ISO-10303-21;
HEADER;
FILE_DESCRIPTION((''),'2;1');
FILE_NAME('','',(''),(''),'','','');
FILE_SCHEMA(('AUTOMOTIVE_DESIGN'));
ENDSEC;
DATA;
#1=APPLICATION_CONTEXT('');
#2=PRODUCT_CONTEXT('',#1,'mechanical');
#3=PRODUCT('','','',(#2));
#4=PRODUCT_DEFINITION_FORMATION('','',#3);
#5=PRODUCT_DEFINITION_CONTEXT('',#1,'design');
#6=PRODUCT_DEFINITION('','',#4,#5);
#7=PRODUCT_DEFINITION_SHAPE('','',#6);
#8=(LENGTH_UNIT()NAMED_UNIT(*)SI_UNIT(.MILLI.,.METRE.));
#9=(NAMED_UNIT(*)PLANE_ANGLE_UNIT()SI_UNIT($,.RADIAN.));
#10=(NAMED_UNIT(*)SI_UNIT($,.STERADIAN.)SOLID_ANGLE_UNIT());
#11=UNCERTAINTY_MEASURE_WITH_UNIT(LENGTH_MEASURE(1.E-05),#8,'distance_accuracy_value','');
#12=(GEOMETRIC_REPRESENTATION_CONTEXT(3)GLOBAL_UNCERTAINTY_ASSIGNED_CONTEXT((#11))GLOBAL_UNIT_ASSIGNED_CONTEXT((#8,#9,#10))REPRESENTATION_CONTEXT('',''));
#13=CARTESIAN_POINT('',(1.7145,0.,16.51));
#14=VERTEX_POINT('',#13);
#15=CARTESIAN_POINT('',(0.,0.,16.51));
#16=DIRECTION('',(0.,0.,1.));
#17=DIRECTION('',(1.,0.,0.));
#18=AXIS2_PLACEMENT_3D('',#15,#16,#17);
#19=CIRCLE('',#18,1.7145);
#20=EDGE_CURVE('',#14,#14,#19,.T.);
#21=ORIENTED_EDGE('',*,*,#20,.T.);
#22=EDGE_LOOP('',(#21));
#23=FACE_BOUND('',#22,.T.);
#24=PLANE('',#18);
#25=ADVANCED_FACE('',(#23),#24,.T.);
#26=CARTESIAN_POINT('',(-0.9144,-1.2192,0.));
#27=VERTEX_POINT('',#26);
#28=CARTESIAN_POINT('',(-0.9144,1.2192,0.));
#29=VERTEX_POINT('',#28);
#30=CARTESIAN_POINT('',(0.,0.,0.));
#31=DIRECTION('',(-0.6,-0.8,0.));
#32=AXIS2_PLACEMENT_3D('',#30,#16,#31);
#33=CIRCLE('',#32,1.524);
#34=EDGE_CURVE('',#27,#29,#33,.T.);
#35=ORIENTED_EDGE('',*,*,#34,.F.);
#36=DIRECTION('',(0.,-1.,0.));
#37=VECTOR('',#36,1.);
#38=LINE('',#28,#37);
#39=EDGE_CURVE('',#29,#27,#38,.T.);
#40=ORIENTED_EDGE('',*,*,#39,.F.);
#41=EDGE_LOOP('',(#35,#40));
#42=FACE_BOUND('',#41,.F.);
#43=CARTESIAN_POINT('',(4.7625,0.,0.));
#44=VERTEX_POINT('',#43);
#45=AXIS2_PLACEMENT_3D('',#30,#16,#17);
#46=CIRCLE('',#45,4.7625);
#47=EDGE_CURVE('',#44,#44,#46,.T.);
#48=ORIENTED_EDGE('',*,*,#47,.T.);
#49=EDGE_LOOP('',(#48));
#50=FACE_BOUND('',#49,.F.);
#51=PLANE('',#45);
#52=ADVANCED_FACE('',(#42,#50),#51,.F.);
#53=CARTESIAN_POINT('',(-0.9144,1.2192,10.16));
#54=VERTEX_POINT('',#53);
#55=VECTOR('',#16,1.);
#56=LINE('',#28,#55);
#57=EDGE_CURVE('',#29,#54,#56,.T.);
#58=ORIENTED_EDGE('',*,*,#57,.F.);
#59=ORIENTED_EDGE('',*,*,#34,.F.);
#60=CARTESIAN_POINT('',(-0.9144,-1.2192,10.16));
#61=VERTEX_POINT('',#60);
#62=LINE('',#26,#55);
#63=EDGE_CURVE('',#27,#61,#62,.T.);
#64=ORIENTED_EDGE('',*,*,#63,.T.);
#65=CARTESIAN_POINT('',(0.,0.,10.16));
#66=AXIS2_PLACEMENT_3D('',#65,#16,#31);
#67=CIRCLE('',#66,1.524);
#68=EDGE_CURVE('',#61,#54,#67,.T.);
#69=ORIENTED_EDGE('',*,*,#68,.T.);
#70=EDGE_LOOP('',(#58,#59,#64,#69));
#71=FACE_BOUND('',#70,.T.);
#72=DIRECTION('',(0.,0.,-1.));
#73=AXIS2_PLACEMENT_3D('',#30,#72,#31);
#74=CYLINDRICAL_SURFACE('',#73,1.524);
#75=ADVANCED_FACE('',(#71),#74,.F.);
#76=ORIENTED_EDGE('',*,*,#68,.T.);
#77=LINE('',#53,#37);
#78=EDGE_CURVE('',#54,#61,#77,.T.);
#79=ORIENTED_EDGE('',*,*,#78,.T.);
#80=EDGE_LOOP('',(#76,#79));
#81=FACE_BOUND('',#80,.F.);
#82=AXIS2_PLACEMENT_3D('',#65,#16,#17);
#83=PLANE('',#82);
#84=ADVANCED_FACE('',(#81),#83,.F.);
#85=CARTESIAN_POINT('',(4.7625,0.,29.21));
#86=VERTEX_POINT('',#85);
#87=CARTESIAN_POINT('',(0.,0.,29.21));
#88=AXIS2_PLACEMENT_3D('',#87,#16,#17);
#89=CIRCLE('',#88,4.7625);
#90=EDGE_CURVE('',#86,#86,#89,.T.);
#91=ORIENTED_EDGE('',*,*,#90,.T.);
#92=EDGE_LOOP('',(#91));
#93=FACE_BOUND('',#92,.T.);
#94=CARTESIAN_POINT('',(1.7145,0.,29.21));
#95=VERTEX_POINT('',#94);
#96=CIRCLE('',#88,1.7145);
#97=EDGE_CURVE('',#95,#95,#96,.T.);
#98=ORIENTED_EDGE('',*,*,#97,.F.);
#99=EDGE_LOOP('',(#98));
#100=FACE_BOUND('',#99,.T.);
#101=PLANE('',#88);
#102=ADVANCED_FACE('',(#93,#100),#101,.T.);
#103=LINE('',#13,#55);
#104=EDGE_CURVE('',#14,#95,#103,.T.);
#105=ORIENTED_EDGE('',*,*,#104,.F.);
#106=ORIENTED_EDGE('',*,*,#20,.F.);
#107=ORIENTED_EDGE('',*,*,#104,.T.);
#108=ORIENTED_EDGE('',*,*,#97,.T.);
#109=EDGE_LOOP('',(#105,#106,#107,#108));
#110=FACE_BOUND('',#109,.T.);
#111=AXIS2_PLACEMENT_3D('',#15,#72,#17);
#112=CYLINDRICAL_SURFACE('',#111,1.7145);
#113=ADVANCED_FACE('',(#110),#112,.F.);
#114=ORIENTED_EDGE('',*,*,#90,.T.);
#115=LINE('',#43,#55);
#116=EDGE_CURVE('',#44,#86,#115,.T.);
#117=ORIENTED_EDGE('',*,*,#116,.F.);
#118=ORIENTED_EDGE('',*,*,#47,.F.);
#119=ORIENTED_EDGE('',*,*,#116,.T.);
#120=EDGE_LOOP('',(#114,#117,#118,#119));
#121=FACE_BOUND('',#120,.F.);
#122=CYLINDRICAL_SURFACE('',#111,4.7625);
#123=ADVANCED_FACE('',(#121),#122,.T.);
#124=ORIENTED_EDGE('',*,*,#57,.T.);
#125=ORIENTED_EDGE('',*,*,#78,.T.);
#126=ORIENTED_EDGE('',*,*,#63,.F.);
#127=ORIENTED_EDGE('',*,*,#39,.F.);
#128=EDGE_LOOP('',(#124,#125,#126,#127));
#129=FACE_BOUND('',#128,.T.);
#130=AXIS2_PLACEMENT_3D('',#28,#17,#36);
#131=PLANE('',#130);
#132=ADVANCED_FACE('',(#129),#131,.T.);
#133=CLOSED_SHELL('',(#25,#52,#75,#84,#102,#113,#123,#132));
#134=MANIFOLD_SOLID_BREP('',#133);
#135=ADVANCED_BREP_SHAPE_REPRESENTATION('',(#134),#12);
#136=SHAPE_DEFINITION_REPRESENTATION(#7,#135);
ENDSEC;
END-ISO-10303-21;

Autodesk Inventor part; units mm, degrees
ref_plane "YZ Plane" through (0, 0, 0) normal (1, 0, 0) x (0, 1, 0)
ref_plane "XZ Plane" through (0, 0, 0) normal (0, 1, 0) x (-1, 0, 0)
ref_plane "XY Plane" through (0, 0, 0) normal (0, 0, 1) x (1, 0, 0)
sketch "Sketch1" plane through (0, 0, 0) normal (0, 0, 1) x (1, 0, 0)
  arc A0 (-0.9144, -1.2192) -> (-0.9144, 1.2192) centre (0, 0) ccw
  line L0 (-0.9144, 1.2192) -> (-0.9144, -1.2192)
  circle A1 centre (0, 0) radius 4.7625
  point P0 (-0.889, 0)
  point P1 (1.524, 0)
  dimension "d0" = 3.048
  dimension "d2" = 2.413
  dimension "d3" = 9.525
extrude "Extrusion1" add sketch "Sketch1" along normal blind 10.16
sketch "Sketch2" plane through (0, 0, 10.16) normal (0, 0, 1) x (1, 0, 0)
  circle A0 centre (0, 0) radius 4.7625 projected
extrude "Extrusion2" add sketch "Sketch2" along normal blind 6.35
sketch "Sketch3" plane through (0, 0, 16.51) normal (0, 0, 1) x (1, 0, 0)
  circle A0 centre (0, 0) radius 4.7625 projected
  circle A1 centre (0, 0) radius 1.7145
  dimension "d8" = 3.429
extrude "Extrusion3" add sketch "Sketch3" along normal blind 12.7
properties part number "Coupling Bushing" material "ABS Plastic"
